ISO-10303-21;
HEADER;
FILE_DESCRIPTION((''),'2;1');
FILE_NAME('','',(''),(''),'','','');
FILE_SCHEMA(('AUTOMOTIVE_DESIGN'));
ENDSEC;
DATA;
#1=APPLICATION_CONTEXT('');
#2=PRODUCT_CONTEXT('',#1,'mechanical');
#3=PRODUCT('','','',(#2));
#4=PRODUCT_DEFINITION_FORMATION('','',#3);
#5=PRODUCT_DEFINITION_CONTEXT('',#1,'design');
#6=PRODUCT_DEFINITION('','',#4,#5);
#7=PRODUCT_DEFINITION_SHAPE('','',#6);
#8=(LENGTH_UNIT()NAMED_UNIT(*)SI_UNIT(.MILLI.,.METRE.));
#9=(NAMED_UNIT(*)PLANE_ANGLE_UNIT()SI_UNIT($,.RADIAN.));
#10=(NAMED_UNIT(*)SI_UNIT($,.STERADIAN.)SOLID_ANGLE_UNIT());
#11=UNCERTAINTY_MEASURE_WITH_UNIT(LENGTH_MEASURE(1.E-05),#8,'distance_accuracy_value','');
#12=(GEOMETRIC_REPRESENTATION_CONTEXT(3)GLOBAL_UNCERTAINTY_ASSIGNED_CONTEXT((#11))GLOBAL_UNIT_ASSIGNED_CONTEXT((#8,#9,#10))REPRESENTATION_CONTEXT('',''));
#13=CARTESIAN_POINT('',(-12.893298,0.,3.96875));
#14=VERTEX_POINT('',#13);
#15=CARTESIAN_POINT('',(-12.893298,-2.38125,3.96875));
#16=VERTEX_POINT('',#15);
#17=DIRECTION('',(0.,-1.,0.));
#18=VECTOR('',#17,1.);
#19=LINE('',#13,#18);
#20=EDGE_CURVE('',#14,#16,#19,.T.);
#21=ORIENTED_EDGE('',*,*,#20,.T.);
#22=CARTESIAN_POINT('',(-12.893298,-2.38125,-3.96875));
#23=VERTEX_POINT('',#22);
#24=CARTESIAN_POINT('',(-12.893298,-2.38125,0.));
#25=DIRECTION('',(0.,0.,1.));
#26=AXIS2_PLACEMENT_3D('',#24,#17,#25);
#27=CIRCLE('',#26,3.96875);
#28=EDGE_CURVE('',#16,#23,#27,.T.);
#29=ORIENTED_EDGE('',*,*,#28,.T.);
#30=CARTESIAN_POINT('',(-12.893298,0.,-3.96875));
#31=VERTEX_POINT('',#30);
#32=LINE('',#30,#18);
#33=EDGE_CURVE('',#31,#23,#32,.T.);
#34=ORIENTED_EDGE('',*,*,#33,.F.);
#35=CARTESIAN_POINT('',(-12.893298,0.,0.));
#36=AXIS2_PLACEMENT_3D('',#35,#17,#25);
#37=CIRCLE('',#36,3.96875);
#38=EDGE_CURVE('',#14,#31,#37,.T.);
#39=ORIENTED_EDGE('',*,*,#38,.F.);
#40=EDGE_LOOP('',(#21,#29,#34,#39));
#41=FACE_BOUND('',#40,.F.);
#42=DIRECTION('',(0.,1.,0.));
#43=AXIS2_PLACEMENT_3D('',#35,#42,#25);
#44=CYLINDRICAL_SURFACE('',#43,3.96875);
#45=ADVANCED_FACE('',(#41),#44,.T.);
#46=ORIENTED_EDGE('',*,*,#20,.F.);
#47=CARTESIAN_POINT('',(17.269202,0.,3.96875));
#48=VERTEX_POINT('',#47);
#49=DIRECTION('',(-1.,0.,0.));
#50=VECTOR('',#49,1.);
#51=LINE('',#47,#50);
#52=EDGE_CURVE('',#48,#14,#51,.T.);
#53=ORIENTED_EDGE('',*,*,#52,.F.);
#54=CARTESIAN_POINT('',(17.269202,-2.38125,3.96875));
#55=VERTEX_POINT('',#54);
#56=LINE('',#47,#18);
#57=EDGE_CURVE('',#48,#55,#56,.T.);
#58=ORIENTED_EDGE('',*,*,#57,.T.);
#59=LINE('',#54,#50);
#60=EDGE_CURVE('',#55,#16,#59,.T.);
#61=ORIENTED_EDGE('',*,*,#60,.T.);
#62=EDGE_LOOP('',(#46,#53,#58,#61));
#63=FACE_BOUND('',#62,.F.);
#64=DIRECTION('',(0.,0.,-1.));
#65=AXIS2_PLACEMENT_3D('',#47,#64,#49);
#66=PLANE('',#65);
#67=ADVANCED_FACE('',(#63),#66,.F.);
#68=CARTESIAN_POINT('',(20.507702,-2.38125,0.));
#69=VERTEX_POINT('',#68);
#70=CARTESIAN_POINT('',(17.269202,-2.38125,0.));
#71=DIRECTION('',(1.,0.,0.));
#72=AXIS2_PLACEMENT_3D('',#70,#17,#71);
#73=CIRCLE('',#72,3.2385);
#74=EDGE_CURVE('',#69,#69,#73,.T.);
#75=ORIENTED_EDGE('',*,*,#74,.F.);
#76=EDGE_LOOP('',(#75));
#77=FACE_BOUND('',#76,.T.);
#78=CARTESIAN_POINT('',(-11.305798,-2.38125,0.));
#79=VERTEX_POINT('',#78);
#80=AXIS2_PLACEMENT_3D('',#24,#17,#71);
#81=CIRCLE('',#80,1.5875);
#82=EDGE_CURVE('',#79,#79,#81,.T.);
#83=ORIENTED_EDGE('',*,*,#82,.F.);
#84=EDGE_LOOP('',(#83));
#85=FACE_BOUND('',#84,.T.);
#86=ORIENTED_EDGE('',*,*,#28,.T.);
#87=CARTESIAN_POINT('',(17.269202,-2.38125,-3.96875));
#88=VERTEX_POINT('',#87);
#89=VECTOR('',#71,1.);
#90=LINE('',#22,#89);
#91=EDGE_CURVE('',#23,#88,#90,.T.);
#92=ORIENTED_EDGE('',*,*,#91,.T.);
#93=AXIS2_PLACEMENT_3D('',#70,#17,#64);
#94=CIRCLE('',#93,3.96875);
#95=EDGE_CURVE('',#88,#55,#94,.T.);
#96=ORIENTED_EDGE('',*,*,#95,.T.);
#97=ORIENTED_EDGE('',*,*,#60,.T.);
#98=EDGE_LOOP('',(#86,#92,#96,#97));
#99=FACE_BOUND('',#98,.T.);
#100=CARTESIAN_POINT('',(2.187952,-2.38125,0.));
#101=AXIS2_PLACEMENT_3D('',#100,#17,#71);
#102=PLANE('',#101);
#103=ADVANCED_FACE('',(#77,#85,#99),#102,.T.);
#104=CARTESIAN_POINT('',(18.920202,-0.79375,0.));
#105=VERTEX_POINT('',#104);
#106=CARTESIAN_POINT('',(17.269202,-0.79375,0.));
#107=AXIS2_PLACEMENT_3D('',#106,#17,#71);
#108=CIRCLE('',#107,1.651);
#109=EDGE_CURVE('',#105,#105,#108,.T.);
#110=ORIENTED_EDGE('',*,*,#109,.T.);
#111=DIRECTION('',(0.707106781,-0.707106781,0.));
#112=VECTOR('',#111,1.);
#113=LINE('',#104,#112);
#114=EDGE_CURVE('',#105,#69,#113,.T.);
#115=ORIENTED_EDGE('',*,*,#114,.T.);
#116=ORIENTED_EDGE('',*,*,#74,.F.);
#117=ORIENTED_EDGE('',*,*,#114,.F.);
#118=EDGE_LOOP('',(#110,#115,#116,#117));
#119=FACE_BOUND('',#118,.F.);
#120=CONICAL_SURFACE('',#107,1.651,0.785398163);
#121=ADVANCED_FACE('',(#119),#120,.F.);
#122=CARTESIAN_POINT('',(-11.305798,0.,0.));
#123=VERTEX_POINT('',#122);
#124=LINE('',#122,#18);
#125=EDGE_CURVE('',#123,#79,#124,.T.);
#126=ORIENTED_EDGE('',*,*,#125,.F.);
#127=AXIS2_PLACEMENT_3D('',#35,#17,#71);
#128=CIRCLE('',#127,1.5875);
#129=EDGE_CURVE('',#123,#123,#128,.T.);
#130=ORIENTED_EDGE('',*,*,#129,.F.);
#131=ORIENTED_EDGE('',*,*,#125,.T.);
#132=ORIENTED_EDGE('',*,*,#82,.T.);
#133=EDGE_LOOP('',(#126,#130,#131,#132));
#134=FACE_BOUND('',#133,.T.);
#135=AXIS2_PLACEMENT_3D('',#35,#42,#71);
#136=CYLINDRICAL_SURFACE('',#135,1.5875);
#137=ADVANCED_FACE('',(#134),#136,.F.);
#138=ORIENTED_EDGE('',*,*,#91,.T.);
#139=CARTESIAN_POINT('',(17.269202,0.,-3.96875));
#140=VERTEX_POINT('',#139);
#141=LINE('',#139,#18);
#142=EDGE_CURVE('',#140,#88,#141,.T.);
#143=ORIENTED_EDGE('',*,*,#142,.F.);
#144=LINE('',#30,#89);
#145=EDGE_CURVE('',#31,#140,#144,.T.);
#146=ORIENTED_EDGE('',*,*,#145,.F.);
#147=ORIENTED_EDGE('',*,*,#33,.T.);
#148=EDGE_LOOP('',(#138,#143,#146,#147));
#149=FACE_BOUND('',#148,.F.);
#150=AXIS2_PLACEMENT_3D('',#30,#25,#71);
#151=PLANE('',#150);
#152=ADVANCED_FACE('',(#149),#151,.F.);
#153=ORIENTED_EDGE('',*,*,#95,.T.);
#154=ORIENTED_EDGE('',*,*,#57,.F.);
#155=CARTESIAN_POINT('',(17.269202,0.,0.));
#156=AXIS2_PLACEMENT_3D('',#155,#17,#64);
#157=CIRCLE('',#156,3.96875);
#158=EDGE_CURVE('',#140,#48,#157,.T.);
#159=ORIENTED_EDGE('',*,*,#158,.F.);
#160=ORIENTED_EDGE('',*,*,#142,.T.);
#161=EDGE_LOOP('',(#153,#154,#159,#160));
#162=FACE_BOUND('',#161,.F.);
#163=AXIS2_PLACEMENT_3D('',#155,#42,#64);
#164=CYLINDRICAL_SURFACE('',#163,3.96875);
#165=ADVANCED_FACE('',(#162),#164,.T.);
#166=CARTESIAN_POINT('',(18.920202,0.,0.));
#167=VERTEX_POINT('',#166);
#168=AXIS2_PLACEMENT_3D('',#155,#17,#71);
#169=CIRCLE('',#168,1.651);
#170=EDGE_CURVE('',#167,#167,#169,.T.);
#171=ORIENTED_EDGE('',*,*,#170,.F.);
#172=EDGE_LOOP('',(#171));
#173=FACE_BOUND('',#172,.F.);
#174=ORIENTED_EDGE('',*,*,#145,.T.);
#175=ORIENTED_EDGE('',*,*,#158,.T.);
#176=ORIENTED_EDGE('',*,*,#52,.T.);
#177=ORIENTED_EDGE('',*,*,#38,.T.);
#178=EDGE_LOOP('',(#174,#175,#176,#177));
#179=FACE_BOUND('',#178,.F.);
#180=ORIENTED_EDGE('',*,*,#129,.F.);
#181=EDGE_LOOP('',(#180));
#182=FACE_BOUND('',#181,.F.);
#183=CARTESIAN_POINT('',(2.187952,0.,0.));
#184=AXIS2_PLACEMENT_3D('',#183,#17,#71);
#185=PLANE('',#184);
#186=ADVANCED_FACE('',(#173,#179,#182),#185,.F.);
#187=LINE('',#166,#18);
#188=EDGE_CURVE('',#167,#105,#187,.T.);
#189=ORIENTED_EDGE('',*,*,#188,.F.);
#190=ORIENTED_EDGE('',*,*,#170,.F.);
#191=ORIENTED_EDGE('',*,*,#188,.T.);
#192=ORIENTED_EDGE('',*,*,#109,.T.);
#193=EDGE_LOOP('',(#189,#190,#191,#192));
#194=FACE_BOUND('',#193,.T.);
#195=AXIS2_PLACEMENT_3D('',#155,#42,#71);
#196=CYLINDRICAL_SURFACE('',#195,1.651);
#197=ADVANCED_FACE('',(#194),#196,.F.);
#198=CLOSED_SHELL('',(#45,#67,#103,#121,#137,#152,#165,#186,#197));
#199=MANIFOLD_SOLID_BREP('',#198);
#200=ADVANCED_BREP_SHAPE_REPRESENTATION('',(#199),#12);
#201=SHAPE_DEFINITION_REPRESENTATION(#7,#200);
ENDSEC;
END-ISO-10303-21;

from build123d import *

# Parameters (mm, degrees)
F0_R     = 1.5875
F0_R_2   = 1.651
F1_DEPTH = 2.38125
F2_SIZE2 = 1.5875
F2_SIZE  = 1.5875


with BuildPart() as f1:
    # F0 (on Front) → F1 (new body)
    with BuildSketch(Plane.XZ):
        with BuildLine():
            Line((17.269202, 3.96875), (-12.893298, 3.96875))
            ThreePointArc((-12.893298, 3.96875), (-16.862048, 0), (-12.893298, -3.96875))
            Line((-12.893298, -3.96875), (17.269202, -3.96875))
            ThreePointArc((17.269202, -3.96875), (21.237952, 0), (17.269202, 3.96875))
        make_face()
        with Locations((-12.893298, 0)):
            Circle(F0_R, mode=Mode.SUBTRACT)
        with Locations((17.269202, 0)):
            Circle(F0_R_2, mode=Mode.SUBTRACT)
    extrude(amount=F1_DEPTH)

    # F2
    f2_edges = [f1.edges().sort_by_distance(p)[0] for p in [
        (15.618202, -2.38125, 0),
    ]]
    chamfer(f2_edges, length=F2_SIZE, length2=F2_SIZE2)


solid = f1.part
